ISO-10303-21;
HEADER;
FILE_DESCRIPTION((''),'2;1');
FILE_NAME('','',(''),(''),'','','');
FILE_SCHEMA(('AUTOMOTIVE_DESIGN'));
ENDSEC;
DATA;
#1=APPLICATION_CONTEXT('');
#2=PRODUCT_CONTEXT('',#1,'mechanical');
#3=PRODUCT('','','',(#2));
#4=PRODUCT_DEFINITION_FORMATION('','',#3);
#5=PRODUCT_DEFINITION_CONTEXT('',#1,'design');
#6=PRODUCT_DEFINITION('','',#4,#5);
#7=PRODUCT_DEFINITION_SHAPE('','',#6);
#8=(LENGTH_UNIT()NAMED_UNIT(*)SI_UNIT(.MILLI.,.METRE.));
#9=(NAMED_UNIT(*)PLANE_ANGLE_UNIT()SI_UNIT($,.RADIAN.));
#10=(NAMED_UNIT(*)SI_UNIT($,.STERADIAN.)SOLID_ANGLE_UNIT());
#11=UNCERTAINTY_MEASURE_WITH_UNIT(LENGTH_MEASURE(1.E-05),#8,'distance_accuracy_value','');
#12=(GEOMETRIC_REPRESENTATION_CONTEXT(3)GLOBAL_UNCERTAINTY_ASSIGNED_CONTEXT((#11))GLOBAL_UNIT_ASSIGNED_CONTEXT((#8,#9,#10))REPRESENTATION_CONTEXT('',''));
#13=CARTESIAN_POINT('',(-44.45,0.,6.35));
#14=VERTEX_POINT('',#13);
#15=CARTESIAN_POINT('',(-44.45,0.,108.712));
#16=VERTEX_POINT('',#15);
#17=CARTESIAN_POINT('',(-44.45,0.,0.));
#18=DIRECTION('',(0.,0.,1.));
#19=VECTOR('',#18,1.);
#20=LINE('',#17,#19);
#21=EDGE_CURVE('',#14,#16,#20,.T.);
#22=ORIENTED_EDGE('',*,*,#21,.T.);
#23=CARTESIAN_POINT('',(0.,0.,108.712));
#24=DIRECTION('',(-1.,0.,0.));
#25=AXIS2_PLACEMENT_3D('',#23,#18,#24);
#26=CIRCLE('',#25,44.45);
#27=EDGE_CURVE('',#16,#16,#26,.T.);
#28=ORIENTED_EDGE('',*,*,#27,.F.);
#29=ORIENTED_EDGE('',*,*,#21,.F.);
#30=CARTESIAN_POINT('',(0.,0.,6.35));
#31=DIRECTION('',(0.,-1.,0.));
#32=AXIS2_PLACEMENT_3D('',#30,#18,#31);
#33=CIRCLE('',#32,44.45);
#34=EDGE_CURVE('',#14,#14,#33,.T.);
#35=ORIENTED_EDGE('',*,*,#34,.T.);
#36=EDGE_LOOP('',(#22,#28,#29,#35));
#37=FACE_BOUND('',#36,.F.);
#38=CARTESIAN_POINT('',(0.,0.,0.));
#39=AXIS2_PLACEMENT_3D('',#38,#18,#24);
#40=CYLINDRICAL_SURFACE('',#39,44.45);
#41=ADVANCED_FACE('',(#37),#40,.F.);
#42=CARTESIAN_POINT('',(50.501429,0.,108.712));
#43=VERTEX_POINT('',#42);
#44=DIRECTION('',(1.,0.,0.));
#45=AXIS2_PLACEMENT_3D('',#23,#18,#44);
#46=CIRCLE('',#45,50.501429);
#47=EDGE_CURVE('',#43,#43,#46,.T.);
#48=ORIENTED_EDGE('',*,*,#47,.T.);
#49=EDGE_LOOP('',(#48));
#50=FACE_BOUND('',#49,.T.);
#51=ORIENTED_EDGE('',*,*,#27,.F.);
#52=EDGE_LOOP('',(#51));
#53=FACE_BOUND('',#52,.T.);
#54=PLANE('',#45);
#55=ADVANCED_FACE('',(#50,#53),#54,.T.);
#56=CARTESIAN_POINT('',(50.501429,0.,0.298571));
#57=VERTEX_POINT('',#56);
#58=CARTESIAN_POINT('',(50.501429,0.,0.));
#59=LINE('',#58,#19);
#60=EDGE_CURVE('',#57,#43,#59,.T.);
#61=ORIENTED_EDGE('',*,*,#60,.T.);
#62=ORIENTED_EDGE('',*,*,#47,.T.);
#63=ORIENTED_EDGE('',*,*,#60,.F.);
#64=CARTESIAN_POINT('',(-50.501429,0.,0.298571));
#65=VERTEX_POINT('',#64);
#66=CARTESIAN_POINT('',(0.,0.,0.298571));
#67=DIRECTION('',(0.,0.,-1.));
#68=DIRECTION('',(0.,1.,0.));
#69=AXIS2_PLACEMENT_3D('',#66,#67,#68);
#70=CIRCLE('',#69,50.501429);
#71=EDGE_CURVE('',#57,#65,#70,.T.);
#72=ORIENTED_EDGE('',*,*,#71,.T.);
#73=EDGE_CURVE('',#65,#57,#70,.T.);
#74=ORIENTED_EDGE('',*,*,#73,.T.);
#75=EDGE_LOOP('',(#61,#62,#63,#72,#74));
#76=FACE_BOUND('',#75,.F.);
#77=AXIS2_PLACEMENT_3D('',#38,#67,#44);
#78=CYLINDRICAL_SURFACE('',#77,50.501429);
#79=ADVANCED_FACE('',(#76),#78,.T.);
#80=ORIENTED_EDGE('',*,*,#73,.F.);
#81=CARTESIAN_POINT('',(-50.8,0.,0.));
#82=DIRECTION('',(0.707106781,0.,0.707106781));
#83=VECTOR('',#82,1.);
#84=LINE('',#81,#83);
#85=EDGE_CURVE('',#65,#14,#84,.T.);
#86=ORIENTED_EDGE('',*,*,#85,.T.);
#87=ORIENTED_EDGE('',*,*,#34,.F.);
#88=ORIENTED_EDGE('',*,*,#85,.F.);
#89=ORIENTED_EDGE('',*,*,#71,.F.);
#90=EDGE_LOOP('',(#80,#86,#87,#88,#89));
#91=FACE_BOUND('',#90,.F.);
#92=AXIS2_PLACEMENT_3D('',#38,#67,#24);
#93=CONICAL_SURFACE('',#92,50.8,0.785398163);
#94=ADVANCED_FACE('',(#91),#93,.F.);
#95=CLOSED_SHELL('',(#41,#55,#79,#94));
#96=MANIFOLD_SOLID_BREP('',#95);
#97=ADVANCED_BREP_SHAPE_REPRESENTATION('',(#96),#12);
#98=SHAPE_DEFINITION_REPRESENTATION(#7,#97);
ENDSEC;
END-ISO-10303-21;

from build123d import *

# Parameters (mm, degrees)
F0_R           = 50.501429
F1_DEPTH       = 108.712
F3_D           = 88.9
F3_CSINK_D     = 101.6
F3_CSINK_ANGLE = 90


with BuildPart() as f1:
    # F0 (on Top) → F1 (new body)
    with BuildSketch(Plane.XY):
        Circle(F0_R)
    extrude(amount=F1_DEPTH)

    # F3 (through all)
    with Locations(Plane(origin=(0, 0, 0), x_dir=(1, 0, 0), z_dir=(0, 0, -1))):
        with Locations((0, 0)):
            CounterSinkHole(F3_D / 2, F3_CSINK_D / 2, counter_sink_angle=F3_CSINK_ANGLE)


solid = f1.part
